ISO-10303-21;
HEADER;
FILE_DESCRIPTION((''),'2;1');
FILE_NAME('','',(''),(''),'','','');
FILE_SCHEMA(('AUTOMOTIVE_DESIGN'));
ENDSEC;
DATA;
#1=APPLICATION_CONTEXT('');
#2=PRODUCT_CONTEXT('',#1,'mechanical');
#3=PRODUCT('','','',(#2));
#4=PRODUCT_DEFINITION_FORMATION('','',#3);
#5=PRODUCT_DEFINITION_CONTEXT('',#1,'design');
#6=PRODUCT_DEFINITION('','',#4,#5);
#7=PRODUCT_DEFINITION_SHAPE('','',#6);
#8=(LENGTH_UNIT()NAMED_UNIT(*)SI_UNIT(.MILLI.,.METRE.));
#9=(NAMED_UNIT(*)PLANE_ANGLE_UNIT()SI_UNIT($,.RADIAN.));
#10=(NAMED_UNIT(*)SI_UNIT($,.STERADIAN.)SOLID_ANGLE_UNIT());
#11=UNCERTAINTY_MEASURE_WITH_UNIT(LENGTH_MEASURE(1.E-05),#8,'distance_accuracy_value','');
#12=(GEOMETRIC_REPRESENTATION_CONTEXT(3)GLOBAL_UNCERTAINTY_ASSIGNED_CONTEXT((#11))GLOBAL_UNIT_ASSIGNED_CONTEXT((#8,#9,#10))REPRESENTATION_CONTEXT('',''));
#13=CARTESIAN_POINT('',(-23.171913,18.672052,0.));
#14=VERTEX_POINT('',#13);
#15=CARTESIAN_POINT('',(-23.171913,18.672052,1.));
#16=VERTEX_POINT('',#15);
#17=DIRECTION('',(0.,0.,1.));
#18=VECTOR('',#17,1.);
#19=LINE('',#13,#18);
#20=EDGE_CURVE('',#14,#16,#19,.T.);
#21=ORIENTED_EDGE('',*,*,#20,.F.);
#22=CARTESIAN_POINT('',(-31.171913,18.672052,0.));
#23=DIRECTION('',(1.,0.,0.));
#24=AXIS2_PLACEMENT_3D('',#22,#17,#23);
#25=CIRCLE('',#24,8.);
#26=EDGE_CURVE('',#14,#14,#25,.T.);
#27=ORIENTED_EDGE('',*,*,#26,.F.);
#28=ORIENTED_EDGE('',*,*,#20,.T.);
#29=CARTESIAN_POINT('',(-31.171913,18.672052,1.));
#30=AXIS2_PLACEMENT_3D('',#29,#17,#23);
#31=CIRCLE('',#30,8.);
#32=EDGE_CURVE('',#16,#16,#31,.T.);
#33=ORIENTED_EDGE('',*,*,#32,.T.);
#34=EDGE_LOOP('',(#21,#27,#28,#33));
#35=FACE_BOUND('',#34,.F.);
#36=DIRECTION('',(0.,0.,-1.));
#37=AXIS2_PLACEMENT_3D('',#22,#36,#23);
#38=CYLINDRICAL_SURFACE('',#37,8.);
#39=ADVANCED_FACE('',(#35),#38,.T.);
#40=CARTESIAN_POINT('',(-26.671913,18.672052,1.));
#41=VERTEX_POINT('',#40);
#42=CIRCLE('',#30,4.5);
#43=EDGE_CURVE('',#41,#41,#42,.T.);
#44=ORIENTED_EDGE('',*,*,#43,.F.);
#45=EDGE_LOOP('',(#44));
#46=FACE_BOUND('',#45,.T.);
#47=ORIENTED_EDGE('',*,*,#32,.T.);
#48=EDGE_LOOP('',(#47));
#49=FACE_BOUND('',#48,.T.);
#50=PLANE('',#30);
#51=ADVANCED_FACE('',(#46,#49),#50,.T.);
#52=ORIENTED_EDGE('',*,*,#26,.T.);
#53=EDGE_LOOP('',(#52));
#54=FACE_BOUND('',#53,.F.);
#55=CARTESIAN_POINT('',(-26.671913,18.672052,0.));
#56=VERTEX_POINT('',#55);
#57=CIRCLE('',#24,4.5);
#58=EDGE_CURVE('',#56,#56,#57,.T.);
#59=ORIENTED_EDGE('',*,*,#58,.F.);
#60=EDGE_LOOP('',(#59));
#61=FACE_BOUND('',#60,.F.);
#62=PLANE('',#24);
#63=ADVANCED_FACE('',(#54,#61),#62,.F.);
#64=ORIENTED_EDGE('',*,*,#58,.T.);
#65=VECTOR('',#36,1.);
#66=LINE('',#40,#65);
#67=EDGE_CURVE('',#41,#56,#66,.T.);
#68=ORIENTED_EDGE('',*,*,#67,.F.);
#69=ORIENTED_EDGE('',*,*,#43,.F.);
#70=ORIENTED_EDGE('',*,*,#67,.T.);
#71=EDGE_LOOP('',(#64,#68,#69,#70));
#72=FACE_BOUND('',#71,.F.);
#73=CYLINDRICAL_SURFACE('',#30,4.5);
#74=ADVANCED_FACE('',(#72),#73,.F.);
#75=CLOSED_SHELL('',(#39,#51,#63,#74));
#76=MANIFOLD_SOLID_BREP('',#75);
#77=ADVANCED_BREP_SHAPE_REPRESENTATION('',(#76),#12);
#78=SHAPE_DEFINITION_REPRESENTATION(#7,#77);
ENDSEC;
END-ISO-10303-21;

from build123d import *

# Parameters (mm, degrees)
SKETCH1_R           = 8
BOSS_EXTRUDE1_DEPTH = 1
SKETCH2_R           = 4.5
CUT_EXTRUDE1_DEPTH  = 1


with BuildPart() as part:
    # Sketch1 → Boss-Extrude1 (new body)
    with BuildSketch(Plane.XY):
        with Locations((-31.171912812, 18.672051936)):
            Circle(SKETCH1_R)
    extrude(amount=BOSS_EXTRUDE1_DEPTH)

    # Sketch2 → Cut-Extrude1 (cut)
    with BuildSketch(Plane.XY.offset(1)):
        with Locations((-31.171912812, 18.672051936)):
            Circle(SKETCH2_R)
    extrude(amount=-CUT_EXTRUDE1_DEPTH, mode=Mode.SUBTRACT)


solid = part.part
